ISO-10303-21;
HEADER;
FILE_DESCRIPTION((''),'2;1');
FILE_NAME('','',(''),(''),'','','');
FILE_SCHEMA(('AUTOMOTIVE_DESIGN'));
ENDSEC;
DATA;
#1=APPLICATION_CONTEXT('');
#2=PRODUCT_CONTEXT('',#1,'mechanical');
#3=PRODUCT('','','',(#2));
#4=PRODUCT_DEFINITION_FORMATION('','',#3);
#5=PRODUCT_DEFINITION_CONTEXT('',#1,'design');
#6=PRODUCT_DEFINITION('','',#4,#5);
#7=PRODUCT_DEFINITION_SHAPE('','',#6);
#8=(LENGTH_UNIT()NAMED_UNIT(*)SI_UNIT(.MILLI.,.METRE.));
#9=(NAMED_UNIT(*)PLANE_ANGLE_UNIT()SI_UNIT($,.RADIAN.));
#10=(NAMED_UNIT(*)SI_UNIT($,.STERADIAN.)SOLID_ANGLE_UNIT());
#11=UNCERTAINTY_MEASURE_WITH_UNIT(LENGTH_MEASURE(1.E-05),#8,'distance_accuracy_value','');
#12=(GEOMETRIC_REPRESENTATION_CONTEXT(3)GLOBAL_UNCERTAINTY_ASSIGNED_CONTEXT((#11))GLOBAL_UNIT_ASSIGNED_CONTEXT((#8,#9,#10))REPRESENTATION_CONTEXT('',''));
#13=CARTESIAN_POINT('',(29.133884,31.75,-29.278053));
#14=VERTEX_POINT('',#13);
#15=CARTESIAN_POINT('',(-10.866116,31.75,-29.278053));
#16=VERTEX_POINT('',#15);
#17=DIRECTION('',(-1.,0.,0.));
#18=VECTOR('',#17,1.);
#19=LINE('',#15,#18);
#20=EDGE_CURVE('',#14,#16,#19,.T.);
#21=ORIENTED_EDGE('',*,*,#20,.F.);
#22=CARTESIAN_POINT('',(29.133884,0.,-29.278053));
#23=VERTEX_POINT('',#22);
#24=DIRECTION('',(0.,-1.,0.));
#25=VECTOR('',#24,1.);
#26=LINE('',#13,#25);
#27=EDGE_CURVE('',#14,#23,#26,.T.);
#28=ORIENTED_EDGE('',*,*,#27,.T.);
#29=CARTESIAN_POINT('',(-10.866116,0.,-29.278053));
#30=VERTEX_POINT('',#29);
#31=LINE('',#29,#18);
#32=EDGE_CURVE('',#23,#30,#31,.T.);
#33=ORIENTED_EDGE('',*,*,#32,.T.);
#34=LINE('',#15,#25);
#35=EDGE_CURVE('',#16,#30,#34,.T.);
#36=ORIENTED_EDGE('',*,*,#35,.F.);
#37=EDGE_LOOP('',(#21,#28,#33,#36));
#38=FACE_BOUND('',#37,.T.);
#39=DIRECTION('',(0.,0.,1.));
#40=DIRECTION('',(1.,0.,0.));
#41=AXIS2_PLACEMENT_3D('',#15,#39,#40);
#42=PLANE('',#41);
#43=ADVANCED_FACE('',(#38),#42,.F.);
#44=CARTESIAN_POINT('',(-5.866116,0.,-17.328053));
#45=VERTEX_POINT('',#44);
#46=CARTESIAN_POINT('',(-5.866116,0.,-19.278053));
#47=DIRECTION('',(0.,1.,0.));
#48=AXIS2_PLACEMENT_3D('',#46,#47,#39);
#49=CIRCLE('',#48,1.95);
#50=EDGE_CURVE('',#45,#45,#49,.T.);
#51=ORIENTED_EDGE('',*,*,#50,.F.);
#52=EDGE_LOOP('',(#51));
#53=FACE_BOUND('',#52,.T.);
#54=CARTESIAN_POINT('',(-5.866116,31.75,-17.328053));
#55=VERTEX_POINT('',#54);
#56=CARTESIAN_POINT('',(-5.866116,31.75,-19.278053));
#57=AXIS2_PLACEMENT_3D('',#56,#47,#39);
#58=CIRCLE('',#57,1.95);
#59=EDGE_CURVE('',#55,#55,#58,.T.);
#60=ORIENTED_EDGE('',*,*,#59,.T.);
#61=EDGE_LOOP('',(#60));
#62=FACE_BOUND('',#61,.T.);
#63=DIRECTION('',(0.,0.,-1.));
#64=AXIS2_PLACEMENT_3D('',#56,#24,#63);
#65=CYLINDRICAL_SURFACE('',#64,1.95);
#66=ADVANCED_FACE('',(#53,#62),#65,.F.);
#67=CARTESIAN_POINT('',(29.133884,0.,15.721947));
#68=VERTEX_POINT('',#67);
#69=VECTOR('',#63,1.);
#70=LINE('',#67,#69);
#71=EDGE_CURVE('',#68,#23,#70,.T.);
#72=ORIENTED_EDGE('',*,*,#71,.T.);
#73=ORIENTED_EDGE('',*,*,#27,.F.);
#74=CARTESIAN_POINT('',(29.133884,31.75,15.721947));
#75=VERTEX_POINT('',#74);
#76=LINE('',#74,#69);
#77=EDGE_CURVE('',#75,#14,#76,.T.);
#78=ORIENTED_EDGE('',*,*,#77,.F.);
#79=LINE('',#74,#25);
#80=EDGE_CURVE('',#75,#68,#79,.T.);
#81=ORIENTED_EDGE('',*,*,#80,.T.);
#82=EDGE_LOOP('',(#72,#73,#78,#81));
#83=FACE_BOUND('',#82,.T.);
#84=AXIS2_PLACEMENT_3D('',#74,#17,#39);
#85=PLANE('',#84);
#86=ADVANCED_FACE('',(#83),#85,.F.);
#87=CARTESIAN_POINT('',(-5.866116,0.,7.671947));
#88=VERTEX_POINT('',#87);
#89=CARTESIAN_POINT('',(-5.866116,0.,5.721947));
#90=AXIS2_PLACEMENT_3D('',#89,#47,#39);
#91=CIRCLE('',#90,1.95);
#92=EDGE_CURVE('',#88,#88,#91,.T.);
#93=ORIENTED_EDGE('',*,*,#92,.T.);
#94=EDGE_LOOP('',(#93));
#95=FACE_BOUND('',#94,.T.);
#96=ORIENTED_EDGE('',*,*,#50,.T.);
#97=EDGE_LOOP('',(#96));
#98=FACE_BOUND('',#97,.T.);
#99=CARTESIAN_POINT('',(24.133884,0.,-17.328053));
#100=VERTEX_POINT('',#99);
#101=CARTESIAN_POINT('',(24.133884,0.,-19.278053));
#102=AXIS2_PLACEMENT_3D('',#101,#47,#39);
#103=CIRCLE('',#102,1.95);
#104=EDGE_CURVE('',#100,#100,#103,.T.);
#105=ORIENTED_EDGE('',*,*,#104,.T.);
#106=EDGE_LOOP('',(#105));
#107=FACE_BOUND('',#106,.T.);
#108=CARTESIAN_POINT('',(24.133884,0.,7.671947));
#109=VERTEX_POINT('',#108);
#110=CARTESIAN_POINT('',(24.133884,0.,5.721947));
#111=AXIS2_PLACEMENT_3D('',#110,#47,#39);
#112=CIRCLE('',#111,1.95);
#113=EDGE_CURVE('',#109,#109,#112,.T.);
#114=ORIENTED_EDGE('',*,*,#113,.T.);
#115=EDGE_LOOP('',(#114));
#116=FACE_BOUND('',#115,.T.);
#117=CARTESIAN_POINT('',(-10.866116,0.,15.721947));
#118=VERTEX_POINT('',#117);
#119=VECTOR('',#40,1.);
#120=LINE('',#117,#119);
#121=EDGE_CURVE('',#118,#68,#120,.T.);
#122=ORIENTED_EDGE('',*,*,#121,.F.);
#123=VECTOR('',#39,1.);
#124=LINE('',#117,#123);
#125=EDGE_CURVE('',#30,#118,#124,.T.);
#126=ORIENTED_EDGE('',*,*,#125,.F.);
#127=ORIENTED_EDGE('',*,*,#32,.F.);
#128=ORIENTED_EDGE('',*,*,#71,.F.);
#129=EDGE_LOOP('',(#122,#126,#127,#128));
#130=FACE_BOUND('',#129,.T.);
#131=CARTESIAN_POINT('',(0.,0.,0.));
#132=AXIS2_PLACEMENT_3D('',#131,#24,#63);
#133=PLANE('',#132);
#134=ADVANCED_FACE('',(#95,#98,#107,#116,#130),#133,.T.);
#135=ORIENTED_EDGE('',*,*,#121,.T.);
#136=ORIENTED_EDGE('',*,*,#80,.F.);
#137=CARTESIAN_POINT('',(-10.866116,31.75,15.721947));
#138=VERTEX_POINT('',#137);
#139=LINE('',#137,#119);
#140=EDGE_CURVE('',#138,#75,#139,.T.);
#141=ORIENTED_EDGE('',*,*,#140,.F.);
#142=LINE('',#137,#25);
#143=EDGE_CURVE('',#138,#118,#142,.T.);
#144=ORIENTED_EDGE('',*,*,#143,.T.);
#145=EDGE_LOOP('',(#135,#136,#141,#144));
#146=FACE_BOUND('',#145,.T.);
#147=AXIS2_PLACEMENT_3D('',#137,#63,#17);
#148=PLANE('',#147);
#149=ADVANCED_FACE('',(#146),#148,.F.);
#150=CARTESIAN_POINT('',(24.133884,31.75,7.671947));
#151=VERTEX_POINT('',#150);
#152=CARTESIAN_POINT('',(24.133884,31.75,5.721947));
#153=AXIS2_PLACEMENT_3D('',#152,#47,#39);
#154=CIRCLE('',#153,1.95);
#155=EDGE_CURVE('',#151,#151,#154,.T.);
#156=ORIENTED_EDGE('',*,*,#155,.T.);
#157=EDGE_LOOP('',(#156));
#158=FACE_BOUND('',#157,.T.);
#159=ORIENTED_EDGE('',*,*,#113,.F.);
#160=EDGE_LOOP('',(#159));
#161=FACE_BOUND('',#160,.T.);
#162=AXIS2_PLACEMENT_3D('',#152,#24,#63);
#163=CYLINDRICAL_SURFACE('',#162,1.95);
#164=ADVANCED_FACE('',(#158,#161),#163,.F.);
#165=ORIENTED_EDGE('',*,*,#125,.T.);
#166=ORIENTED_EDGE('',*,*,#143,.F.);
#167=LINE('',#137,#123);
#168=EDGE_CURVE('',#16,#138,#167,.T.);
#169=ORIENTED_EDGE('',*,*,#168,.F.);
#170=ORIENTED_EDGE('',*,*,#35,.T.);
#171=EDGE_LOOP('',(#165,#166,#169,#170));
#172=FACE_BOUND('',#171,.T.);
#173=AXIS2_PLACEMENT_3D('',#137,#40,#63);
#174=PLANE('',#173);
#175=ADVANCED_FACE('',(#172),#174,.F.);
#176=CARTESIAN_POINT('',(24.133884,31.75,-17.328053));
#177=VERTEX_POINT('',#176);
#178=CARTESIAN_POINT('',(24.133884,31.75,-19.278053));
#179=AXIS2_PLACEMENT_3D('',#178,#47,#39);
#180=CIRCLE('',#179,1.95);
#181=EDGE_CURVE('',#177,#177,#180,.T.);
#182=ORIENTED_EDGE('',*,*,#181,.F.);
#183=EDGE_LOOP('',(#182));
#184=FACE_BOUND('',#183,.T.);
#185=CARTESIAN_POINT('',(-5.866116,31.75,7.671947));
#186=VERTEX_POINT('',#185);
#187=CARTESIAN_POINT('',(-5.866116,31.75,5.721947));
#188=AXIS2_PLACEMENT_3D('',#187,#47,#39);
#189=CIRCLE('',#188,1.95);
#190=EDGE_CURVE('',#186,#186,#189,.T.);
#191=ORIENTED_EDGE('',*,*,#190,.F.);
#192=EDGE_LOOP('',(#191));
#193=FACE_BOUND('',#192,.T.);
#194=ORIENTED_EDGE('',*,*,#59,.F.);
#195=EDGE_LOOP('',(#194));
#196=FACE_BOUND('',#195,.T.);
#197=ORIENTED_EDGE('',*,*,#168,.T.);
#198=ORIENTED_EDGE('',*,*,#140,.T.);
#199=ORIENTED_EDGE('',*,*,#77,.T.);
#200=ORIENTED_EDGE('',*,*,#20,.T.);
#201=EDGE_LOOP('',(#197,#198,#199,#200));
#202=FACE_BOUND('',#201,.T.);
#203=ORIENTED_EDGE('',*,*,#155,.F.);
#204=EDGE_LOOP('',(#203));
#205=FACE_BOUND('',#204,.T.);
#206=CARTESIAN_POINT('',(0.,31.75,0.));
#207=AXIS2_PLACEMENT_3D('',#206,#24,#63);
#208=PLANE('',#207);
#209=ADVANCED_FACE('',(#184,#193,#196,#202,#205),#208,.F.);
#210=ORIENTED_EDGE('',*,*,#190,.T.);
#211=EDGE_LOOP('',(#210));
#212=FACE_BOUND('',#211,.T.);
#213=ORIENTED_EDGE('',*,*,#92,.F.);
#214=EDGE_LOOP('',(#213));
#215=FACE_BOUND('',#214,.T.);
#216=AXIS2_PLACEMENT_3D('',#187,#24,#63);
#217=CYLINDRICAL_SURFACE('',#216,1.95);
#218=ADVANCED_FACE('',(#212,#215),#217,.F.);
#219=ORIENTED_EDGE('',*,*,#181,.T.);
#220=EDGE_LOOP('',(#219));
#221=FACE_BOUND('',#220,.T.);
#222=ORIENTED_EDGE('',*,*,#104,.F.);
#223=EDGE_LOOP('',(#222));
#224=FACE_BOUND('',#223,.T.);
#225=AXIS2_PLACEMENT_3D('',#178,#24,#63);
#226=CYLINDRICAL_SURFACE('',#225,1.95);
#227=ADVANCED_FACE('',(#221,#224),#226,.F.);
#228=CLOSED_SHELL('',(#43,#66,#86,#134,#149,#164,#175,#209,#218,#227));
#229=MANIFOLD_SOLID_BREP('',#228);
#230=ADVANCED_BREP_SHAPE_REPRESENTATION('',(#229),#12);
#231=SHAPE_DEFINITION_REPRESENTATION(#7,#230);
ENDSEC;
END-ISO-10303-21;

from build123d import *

# Parameters (mm, degrees)
SKETCH1_W           = 40
SKETCH1_H           = 45
SKETCH1_R           = 1.95
BOSS_EXTRUDE1_DEPTH = 31.75


with BuildPart() as part:
    # Sketch1 → Boss-Extrude1 (new body)
    with BuildSketch(Plane(origin=(0, 0, 0), x_dir=(1, 0, 0), z_dir=(0, 1, 0))):
        with Locations((9.133884267, 6.778052775)):
            Rectangle(SKETCH1_W, SKETCH1_H)
        with Locations(Location((-5.866115733, 19.278052775, 0), (0, 0, 270))):
            Circle(SKETCH1_R, mode=Mode.SUBTRACT)
        with Locations(Location((24.133884267, 19.278052775, 0), (0, 0, 270))):
            Circle(SKETCH1_R, mode=Mode.SUBTRACT)
        with Locations(Location((24.133884267, -5.721947225, 0), (0, 0, 270))):
            Circle(SKETCH1_R, mode=Mode.SUBTRACT)
        with Locations(Location((-5.866115733, -5.721947225, 0), (0, 0, 270))):
            Circle(SKETCH1_R, mode=Mode.SUBTRACT)
    extrude(amount=BOSS_EXTRUDE1_DEPTH)


solid = part.part
